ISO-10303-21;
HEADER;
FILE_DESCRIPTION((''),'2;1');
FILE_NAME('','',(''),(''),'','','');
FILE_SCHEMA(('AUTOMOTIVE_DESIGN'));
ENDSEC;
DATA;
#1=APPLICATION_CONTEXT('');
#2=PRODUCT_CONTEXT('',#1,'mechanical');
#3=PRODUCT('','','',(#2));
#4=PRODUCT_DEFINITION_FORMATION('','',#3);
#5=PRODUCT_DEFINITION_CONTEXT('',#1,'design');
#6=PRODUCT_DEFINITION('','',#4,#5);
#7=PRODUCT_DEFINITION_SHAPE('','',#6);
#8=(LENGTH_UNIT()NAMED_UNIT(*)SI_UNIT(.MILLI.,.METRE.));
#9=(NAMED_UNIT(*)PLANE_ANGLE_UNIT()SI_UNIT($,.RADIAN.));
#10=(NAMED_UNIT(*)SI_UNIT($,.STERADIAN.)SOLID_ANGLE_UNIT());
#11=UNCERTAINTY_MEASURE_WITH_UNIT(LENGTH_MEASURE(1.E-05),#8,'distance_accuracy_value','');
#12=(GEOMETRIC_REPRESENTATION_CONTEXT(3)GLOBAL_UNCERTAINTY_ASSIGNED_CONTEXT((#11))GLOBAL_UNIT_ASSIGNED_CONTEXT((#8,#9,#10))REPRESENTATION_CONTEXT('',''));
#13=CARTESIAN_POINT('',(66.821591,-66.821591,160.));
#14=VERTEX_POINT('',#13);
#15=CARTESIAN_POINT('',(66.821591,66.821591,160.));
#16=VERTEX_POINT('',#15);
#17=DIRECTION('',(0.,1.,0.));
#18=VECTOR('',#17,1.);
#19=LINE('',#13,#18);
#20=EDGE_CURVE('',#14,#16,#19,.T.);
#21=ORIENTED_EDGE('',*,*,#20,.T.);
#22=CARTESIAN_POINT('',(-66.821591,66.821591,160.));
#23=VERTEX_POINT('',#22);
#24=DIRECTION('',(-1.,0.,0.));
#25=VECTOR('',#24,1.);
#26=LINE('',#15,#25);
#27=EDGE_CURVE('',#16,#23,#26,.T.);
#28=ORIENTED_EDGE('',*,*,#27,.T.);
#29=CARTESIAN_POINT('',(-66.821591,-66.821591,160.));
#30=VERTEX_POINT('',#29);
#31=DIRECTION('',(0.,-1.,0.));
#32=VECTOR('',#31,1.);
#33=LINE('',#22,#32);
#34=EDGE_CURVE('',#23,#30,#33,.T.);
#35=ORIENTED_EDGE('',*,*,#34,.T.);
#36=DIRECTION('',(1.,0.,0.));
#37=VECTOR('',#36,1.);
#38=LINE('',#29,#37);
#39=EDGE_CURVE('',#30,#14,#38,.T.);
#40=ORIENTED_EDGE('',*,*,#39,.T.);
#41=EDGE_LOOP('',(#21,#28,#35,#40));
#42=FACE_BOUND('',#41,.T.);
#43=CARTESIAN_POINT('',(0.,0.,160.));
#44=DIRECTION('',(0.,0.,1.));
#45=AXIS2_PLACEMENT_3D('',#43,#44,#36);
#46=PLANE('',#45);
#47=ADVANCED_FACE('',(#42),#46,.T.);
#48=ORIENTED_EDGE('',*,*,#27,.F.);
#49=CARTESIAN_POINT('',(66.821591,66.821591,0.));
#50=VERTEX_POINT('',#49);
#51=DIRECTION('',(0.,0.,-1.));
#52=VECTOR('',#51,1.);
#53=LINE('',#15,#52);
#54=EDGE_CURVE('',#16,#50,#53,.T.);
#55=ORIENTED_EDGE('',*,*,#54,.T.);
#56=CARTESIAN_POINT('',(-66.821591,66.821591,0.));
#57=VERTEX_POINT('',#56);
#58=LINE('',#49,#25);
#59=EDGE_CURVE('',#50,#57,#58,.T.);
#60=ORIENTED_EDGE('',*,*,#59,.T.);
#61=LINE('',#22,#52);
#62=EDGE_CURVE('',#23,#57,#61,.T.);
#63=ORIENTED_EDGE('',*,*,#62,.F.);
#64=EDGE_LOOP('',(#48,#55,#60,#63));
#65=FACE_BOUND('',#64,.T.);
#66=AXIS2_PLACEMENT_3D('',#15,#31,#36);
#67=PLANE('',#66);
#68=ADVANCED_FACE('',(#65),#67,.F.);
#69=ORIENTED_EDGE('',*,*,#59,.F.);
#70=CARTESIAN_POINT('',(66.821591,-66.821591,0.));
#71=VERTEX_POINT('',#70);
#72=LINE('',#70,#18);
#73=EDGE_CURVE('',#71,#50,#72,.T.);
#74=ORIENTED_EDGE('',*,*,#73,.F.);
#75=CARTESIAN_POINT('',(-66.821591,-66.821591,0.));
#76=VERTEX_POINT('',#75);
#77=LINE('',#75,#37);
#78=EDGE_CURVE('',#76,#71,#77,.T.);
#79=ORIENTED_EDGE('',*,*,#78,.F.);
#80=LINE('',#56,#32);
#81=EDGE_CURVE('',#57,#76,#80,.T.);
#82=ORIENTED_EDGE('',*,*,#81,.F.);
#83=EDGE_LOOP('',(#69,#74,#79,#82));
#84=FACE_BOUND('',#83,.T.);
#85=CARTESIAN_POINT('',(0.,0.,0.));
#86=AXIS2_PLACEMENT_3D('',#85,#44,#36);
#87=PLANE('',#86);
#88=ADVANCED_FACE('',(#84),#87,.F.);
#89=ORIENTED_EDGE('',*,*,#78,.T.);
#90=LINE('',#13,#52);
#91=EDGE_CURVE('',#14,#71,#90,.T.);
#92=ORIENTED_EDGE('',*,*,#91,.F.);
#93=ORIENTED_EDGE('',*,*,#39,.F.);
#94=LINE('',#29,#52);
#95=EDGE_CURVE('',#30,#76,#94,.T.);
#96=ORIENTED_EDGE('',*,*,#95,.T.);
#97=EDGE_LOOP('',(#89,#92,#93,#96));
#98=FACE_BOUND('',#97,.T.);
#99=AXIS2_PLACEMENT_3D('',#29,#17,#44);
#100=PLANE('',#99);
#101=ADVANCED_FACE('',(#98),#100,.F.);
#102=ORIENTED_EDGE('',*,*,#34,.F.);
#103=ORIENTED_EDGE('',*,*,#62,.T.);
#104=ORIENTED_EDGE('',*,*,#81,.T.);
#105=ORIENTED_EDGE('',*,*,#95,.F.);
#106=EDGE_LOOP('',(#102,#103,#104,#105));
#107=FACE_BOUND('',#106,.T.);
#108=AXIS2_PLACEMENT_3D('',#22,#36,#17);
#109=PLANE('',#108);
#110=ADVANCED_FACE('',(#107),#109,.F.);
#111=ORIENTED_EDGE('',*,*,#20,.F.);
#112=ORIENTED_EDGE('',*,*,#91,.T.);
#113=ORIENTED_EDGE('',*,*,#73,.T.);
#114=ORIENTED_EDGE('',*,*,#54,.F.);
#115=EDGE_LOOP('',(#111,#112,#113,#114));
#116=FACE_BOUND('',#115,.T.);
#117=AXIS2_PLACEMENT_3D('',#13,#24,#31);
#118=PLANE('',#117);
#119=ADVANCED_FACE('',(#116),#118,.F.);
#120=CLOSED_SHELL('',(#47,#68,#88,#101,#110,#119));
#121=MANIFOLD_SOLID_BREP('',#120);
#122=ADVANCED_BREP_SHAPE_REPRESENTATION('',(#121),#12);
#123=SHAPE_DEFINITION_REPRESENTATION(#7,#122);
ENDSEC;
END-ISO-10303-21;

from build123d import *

# Parameters (mm, degrees)
SCHIZZO1_W                   = 133.643181644
SCHIZZO1_H                   = 133.643181644
ESTRUSIONE_ESTRUSIONE1_DEPTH = 160


with BuildPart() as part:
    # Schizzo1 → Estrusione-Estrusione1 (new body)
    with BuildSketch(Plane.XY):
        Rectangle(SCHIZZO1_W, SCHIZZO1_H)
    extrude(amount=ESTRUSIONE_ESTRUSIONE1_DEPTH)


solid = part.part
